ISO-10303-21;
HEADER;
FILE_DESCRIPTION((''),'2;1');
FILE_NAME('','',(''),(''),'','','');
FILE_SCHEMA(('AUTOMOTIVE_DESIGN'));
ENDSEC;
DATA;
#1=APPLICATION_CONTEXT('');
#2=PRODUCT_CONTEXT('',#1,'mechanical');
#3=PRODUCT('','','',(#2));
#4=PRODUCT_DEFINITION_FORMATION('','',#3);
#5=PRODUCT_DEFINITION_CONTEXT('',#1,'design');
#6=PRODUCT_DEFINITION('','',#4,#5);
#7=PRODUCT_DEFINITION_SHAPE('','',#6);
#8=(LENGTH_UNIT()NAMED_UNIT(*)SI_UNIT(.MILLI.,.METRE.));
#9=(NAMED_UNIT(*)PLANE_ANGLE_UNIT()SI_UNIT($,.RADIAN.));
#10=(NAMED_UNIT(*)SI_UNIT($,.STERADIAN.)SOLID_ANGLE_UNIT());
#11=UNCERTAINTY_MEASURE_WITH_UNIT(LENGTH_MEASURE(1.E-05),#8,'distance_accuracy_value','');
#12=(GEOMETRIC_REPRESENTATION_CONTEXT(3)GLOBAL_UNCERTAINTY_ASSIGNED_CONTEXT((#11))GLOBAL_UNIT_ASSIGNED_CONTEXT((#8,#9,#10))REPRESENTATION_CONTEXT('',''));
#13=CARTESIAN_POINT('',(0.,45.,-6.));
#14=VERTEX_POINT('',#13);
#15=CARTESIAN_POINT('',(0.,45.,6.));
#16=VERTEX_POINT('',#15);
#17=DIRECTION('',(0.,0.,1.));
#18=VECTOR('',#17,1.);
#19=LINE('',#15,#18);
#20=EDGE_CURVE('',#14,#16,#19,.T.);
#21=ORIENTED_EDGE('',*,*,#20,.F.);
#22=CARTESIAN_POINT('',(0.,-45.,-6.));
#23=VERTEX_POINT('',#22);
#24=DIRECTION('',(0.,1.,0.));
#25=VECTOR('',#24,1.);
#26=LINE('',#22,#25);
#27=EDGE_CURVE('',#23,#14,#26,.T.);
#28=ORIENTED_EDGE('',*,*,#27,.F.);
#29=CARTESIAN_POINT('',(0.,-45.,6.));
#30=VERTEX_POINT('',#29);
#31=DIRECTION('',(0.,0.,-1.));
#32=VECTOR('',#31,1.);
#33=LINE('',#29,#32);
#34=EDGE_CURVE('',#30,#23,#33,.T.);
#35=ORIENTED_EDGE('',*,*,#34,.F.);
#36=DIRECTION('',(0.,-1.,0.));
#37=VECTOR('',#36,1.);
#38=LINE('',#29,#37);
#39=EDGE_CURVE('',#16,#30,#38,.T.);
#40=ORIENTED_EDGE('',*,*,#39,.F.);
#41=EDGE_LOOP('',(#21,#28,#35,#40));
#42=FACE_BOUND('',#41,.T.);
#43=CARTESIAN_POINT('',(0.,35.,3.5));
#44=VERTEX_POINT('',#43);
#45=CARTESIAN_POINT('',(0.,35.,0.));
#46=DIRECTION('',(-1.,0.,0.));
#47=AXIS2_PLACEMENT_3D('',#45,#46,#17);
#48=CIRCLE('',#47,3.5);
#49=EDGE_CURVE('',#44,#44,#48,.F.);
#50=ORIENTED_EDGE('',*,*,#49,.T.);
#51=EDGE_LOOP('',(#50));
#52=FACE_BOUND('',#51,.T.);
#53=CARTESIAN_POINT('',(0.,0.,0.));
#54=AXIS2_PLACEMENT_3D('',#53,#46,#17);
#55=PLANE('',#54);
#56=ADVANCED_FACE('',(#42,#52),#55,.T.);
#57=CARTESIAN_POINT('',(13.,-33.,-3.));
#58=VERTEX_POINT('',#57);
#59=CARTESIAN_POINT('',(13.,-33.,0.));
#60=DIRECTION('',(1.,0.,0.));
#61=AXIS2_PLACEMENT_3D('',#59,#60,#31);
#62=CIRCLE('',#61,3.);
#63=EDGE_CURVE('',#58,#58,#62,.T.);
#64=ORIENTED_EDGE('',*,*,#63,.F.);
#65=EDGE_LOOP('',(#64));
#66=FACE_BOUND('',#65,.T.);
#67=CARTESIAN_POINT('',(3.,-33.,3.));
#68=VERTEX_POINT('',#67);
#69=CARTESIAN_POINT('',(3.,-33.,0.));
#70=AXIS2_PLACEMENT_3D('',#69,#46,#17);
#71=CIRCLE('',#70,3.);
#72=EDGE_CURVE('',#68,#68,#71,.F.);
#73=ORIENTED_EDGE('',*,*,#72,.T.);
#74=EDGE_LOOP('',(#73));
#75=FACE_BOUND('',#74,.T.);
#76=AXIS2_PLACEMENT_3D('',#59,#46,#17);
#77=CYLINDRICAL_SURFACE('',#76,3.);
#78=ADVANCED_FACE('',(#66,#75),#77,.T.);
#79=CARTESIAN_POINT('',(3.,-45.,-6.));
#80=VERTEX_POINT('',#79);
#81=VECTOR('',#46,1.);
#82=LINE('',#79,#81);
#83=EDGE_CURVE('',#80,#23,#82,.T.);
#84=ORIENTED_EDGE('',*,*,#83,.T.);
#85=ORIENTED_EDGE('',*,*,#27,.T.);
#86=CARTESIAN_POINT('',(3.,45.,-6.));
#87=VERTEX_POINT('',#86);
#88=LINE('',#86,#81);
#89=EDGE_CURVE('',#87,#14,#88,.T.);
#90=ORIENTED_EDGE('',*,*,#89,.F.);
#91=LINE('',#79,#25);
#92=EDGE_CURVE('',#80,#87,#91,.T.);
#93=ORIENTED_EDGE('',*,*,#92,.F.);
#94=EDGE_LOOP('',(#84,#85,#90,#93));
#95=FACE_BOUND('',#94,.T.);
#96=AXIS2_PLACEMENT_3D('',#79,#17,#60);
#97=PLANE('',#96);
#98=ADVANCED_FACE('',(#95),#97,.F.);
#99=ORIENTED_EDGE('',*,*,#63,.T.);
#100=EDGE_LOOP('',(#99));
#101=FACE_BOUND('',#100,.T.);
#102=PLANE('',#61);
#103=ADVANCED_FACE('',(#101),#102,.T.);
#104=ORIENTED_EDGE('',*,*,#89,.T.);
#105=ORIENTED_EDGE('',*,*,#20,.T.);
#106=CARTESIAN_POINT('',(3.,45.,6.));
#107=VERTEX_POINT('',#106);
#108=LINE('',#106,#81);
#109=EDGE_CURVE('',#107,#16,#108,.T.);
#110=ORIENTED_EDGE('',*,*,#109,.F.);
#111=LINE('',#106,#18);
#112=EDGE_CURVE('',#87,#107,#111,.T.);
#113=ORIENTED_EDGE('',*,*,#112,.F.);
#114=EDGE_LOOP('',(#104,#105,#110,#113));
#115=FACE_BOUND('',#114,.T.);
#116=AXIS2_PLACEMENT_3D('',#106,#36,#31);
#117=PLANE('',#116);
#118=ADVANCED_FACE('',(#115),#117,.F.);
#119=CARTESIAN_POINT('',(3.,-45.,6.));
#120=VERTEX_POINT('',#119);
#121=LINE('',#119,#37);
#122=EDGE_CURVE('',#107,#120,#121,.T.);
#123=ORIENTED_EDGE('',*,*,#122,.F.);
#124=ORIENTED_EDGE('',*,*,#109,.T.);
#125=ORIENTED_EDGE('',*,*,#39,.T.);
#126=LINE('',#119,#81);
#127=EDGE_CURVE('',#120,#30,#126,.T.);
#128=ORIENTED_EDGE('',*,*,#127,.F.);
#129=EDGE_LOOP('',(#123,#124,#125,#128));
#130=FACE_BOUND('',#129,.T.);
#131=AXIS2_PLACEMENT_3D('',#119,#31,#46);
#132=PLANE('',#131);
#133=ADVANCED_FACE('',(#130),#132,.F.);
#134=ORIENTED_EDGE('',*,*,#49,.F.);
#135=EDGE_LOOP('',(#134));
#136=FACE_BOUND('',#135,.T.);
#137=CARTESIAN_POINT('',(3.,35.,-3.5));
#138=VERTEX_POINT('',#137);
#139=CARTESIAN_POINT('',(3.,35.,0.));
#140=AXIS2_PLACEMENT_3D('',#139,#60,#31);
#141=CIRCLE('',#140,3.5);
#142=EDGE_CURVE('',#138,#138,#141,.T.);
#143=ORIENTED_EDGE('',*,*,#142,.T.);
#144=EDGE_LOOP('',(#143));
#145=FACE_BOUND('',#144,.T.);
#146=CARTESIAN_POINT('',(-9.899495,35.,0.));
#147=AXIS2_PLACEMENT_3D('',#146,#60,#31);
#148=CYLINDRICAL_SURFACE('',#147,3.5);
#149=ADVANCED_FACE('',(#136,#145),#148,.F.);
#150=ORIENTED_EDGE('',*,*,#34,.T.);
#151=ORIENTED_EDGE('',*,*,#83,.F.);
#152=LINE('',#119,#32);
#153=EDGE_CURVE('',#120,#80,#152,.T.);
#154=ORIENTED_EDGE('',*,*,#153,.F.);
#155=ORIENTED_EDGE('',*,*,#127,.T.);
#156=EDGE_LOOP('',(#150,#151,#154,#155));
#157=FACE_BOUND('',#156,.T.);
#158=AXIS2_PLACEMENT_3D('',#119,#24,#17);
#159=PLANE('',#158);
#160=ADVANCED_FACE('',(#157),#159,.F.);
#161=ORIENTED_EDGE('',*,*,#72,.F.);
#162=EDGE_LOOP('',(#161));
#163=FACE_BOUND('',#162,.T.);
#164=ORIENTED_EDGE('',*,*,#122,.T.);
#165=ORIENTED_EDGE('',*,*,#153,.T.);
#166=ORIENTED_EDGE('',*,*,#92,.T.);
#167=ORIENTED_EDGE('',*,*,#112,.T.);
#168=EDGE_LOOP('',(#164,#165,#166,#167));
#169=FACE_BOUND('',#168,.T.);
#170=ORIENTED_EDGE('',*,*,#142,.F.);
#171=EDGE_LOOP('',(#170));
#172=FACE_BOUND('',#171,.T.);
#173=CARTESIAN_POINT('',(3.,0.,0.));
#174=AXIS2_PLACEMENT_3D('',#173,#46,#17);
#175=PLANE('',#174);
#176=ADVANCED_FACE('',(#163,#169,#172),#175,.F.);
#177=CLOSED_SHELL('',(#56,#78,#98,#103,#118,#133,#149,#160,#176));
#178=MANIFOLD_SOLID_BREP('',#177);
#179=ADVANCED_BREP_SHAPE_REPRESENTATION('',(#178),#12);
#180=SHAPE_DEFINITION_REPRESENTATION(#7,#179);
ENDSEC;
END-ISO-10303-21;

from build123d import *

# Parameters (mm, degrees)
SKETCH1_W           = 12
SKETCH1_H           = 90
BOSS_EXTRUDE1_DEPTH = 3
SKETCH2_R           = 3.5
CUT_EXTRUDE1_DEPTH  = 3
SKETCH3_R           = 3
BOSS_EXTRUDE2_DEPTH = 10


with BuildPart() as part:
    # Sketch1 → Boss-Extrude1 (new body)
    with BuildSketch(Plane(origin=(0, 0, 0), x_dir=(0, 0, -1), z_dir=(1, 0, 0))):
        Rectangle(SKETCH1_W, SKETCH1_H)
    extrude(amount=BOSS_EXTRUDE1_DEPTH)

    # Sketch2 → Cut-Extrude1 (cut)
    with BuildSketch(Plane(origin=(3, 0, 0), x_dir=(0, 0, -1), z_dir=(1, 0, 0))):
        with Locations((0, 35)):
            Circle(SKETCH2_R)
    extrude(amount=-CUT_EXTRUDE1_DEPTH, mode=Mode.SUBTRACT)

    # Sketch3 → Boss-Extrude2 (add)
    with BuildSketch(Plane(origin=(3, 0, 0), x_dir=(0, 0, -1), z_dir=(1, 0, 0))):
        with Locations((0, -33)):
            Circle(SKETCH3_R)
    extrude(amount=BOSS_EXTRUDE2_DEPTH)


solid = part.part
